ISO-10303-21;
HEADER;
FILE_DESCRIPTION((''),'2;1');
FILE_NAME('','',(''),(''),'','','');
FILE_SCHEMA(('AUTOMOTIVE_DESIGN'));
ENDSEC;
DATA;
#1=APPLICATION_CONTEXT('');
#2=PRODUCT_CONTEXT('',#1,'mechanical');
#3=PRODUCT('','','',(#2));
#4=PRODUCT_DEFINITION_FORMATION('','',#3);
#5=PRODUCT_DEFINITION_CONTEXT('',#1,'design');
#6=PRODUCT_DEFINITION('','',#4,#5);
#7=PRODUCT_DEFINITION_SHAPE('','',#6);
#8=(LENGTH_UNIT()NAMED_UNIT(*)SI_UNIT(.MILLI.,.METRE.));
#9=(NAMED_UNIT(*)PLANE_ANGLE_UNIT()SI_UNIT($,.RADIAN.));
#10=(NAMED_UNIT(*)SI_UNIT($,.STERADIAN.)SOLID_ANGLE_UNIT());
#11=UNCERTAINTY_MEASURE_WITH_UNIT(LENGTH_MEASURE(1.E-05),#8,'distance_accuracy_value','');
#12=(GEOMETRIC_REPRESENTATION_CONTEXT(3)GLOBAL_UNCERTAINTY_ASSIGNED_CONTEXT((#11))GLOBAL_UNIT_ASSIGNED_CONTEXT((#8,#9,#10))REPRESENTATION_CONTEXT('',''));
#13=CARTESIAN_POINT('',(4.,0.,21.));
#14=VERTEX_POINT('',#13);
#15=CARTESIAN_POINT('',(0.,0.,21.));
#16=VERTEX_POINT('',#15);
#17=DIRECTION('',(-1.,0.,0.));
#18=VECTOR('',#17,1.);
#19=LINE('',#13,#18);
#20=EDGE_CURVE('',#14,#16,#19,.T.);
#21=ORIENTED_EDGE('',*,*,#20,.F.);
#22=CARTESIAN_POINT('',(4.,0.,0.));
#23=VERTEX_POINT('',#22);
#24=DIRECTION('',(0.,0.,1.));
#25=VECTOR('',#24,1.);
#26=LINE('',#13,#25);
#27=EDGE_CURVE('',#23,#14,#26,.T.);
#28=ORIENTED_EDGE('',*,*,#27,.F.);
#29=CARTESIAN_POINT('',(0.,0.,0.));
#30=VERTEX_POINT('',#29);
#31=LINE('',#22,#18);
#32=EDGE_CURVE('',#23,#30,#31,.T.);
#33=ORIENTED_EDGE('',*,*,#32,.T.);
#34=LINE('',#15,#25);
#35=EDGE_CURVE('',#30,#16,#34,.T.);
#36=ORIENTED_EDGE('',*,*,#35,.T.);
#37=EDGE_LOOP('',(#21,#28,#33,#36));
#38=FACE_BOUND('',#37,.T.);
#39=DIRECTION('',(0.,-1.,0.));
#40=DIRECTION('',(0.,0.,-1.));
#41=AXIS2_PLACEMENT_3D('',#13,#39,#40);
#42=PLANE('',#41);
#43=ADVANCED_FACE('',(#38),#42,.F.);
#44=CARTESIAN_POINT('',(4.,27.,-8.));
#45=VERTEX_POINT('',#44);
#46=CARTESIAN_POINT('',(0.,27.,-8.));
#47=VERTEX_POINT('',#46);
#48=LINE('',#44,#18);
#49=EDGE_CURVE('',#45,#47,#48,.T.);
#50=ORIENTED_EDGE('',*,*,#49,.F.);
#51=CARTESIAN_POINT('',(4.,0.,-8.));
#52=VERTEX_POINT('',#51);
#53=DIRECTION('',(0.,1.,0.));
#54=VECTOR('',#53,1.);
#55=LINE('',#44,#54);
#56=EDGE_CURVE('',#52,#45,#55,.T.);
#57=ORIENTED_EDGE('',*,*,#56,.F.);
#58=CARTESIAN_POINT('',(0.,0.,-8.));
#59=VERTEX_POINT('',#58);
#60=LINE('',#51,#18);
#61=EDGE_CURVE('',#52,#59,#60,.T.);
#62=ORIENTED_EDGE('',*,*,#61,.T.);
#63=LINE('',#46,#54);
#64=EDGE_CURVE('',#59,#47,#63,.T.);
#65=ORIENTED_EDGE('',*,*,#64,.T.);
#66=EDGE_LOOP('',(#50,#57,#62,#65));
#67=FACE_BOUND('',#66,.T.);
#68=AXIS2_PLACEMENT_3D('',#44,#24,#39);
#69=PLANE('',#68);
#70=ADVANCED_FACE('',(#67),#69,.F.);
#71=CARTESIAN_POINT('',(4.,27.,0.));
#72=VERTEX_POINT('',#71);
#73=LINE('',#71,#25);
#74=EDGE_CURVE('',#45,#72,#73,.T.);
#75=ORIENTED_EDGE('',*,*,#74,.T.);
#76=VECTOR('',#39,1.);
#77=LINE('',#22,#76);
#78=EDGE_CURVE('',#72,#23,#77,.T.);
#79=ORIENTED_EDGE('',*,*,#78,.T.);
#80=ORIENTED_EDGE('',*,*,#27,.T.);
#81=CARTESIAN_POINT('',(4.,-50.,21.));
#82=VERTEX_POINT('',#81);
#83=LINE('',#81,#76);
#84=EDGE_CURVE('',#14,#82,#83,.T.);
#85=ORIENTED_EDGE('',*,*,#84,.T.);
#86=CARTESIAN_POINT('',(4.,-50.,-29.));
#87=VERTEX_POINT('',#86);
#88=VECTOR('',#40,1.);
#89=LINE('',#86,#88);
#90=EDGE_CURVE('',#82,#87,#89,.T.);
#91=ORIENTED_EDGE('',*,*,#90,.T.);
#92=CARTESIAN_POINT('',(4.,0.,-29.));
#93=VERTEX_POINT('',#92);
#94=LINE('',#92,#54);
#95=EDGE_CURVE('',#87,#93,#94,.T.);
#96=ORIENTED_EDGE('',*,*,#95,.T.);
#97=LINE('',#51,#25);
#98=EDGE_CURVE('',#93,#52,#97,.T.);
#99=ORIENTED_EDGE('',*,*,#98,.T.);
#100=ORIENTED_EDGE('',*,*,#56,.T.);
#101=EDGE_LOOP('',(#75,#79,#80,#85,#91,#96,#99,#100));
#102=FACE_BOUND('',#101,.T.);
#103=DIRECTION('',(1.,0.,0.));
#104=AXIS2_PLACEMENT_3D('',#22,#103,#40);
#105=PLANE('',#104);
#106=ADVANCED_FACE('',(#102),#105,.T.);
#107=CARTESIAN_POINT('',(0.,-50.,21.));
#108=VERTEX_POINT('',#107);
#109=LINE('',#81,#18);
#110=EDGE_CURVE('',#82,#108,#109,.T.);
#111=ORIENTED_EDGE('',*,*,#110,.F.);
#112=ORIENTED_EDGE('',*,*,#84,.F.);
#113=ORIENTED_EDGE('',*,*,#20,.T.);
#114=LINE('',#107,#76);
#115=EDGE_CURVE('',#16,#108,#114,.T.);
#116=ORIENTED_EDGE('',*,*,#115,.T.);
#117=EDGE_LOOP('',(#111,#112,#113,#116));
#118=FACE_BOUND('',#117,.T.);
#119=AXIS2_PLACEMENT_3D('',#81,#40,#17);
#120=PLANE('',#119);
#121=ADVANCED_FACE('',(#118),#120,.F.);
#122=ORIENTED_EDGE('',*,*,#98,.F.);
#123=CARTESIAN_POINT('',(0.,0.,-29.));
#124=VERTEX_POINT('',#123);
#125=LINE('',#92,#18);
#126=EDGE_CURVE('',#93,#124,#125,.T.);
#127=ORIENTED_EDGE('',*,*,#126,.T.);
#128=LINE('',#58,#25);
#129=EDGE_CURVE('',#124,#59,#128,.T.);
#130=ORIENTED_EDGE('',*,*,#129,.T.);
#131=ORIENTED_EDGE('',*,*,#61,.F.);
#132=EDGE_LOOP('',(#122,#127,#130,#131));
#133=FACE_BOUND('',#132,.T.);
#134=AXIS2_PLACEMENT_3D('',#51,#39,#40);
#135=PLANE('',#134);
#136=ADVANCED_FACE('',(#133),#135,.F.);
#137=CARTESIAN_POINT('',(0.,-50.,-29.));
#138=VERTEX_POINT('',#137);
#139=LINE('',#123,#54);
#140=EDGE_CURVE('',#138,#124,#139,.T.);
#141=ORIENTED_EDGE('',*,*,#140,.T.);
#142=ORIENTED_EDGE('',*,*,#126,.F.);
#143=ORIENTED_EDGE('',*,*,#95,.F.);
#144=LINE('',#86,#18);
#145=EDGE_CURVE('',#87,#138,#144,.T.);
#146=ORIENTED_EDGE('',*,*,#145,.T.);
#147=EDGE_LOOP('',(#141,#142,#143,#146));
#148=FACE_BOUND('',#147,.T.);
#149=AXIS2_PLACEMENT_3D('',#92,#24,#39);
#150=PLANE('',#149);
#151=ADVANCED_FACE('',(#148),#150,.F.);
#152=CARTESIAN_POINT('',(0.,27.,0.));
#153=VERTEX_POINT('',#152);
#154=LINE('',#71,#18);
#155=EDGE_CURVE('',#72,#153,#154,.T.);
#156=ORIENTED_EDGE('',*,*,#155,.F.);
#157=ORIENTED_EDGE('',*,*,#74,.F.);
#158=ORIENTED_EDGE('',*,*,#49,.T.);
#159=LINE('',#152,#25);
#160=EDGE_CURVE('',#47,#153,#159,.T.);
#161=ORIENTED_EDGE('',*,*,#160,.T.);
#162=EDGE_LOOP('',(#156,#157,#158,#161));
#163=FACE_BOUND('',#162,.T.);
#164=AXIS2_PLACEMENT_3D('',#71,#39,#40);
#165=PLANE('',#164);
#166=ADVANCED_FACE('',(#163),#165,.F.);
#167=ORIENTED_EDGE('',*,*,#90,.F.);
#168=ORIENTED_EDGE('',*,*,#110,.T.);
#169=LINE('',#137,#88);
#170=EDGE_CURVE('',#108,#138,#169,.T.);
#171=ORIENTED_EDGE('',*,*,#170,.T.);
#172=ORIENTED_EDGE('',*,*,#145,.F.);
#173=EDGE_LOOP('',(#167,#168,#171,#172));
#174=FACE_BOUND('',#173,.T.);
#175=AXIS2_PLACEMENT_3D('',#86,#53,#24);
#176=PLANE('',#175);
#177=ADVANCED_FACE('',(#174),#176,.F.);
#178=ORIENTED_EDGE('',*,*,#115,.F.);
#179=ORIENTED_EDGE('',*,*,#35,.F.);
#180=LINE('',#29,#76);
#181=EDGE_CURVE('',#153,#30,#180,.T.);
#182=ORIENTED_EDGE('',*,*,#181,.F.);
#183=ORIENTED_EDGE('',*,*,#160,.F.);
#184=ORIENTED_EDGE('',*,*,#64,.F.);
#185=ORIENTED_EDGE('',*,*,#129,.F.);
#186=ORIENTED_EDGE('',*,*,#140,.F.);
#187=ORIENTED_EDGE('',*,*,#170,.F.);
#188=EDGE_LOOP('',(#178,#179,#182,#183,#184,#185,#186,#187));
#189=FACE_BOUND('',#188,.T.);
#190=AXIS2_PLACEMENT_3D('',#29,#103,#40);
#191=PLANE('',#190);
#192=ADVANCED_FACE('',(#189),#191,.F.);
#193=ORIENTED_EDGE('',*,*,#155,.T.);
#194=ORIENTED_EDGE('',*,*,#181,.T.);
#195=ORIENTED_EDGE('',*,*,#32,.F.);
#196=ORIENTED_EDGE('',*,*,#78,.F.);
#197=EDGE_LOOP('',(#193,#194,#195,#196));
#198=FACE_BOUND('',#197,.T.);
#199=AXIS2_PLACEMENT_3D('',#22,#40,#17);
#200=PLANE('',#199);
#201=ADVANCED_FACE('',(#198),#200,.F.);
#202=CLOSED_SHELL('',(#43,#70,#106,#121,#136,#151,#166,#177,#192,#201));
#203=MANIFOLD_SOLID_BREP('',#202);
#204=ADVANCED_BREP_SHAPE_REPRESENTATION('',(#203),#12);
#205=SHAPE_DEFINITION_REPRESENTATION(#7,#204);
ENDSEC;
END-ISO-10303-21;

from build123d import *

# Parameters (mm, degrees)
BOSS_EXTRUDE1_DEPTH = 4


with BuildPart() as part:
    # Sketch1 → Boss-Extrude1 (new body)
    with BuildSketch(Plane(origin=(0, 0, 0), x_dir=(0, 0, -1), z_dir=(1, 0, 0))):
        Polygon((0, 0), (0, 27), (8, 27), (8, 0), (29, 0), (29, -50), (-21, -50), (-21, 0), align=None)
    extrude(amount=BOSS_EXTRUDE1_DEPTH)


solid = part.part
